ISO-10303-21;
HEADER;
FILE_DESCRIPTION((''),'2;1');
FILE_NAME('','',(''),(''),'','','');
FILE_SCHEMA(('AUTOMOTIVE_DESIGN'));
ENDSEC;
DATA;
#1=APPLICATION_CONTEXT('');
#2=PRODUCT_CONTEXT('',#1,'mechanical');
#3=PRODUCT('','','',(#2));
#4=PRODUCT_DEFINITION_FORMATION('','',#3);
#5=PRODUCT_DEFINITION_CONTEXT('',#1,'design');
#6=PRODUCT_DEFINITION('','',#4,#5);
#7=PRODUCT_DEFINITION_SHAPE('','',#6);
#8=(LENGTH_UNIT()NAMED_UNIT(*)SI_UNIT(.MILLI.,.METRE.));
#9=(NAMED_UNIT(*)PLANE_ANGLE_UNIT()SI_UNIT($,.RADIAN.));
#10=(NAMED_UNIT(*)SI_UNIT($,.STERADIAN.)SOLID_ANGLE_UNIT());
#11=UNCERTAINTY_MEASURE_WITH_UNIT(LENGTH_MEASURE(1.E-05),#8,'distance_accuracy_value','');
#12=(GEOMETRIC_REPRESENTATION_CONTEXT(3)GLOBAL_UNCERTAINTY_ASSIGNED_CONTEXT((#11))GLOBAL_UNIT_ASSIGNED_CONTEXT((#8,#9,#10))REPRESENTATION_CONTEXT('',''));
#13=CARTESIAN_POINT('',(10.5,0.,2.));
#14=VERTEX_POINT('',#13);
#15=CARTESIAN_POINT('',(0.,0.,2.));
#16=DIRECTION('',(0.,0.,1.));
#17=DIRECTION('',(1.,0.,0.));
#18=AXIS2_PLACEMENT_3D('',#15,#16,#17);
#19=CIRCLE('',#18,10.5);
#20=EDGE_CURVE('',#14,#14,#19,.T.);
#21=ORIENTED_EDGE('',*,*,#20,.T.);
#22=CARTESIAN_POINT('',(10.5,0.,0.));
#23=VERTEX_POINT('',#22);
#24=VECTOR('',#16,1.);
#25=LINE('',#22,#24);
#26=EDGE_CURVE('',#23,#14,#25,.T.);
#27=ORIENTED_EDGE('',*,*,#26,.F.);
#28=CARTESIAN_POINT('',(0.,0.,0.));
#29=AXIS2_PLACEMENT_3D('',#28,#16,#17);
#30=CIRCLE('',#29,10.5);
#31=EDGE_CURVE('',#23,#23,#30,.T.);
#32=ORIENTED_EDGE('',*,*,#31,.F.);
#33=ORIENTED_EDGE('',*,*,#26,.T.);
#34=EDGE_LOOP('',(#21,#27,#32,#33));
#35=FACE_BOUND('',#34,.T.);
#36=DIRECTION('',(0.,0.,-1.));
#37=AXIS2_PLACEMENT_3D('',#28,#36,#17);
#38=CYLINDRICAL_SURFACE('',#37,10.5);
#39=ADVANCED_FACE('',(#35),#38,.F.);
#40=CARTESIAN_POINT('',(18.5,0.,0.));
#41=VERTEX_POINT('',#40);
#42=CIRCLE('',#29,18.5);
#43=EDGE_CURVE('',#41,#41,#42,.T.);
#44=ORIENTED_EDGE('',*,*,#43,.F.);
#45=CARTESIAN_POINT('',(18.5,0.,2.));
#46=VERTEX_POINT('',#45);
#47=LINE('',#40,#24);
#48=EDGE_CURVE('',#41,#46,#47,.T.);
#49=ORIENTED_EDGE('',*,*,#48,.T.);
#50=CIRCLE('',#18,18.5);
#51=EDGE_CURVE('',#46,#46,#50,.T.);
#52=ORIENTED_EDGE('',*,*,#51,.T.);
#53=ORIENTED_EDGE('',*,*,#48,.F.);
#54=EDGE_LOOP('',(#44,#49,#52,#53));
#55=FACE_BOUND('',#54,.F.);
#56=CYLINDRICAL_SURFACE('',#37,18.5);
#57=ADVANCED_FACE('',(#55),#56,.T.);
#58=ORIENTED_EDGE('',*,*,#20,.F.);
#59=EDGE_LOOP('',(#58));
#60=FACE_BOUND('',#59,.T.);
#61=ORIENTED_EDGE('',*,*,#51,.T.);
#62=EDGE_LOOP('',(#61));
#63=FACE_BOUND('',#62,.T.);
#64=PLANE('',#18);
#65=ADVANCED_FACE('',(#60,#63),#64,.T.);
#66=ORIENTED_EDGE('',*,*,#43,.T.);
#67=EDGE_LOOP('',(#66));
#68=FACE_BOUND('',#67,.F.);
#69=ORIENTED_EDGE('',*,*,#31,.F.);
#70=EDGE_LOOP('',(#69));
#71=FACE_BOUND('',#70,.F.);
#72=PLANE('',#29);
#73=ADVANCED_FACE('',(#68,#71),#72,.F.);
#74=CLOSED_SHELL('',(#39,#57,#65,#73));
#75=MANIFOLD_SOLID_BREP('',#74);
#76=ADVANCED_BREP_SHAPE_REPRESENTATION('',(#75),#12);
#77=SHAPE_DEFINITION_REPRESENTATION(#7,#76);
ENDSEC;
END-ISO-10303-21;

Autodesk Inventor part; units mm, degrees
ref_plane "YZ Plane" through (0, 0, 0) normal (1, 0, 0) x (0, 1, 0)
ref_plane "XZ Plane" through (0, 0, 0) normal (0, 1, 0) x (-1, 0, 0)
ref_plane "XY Plane" through (0, 0, 0) normal (0, 0, 1) x (1, 0, 0)
sketch "スケッチ1" plane through (0, 0, 0) normal (0, 0, 1) x (1, 0, 0)
  circle A0 centre (0, 0) radius 10.5
  circle A1 centre (0, 0) radius 18.5
  dimension "d0" = 21
  dimension "d1" = 37
extrude "押し出し1" add sketch "スケッチ1" along normal blind 2
properties part number "80W-21"
